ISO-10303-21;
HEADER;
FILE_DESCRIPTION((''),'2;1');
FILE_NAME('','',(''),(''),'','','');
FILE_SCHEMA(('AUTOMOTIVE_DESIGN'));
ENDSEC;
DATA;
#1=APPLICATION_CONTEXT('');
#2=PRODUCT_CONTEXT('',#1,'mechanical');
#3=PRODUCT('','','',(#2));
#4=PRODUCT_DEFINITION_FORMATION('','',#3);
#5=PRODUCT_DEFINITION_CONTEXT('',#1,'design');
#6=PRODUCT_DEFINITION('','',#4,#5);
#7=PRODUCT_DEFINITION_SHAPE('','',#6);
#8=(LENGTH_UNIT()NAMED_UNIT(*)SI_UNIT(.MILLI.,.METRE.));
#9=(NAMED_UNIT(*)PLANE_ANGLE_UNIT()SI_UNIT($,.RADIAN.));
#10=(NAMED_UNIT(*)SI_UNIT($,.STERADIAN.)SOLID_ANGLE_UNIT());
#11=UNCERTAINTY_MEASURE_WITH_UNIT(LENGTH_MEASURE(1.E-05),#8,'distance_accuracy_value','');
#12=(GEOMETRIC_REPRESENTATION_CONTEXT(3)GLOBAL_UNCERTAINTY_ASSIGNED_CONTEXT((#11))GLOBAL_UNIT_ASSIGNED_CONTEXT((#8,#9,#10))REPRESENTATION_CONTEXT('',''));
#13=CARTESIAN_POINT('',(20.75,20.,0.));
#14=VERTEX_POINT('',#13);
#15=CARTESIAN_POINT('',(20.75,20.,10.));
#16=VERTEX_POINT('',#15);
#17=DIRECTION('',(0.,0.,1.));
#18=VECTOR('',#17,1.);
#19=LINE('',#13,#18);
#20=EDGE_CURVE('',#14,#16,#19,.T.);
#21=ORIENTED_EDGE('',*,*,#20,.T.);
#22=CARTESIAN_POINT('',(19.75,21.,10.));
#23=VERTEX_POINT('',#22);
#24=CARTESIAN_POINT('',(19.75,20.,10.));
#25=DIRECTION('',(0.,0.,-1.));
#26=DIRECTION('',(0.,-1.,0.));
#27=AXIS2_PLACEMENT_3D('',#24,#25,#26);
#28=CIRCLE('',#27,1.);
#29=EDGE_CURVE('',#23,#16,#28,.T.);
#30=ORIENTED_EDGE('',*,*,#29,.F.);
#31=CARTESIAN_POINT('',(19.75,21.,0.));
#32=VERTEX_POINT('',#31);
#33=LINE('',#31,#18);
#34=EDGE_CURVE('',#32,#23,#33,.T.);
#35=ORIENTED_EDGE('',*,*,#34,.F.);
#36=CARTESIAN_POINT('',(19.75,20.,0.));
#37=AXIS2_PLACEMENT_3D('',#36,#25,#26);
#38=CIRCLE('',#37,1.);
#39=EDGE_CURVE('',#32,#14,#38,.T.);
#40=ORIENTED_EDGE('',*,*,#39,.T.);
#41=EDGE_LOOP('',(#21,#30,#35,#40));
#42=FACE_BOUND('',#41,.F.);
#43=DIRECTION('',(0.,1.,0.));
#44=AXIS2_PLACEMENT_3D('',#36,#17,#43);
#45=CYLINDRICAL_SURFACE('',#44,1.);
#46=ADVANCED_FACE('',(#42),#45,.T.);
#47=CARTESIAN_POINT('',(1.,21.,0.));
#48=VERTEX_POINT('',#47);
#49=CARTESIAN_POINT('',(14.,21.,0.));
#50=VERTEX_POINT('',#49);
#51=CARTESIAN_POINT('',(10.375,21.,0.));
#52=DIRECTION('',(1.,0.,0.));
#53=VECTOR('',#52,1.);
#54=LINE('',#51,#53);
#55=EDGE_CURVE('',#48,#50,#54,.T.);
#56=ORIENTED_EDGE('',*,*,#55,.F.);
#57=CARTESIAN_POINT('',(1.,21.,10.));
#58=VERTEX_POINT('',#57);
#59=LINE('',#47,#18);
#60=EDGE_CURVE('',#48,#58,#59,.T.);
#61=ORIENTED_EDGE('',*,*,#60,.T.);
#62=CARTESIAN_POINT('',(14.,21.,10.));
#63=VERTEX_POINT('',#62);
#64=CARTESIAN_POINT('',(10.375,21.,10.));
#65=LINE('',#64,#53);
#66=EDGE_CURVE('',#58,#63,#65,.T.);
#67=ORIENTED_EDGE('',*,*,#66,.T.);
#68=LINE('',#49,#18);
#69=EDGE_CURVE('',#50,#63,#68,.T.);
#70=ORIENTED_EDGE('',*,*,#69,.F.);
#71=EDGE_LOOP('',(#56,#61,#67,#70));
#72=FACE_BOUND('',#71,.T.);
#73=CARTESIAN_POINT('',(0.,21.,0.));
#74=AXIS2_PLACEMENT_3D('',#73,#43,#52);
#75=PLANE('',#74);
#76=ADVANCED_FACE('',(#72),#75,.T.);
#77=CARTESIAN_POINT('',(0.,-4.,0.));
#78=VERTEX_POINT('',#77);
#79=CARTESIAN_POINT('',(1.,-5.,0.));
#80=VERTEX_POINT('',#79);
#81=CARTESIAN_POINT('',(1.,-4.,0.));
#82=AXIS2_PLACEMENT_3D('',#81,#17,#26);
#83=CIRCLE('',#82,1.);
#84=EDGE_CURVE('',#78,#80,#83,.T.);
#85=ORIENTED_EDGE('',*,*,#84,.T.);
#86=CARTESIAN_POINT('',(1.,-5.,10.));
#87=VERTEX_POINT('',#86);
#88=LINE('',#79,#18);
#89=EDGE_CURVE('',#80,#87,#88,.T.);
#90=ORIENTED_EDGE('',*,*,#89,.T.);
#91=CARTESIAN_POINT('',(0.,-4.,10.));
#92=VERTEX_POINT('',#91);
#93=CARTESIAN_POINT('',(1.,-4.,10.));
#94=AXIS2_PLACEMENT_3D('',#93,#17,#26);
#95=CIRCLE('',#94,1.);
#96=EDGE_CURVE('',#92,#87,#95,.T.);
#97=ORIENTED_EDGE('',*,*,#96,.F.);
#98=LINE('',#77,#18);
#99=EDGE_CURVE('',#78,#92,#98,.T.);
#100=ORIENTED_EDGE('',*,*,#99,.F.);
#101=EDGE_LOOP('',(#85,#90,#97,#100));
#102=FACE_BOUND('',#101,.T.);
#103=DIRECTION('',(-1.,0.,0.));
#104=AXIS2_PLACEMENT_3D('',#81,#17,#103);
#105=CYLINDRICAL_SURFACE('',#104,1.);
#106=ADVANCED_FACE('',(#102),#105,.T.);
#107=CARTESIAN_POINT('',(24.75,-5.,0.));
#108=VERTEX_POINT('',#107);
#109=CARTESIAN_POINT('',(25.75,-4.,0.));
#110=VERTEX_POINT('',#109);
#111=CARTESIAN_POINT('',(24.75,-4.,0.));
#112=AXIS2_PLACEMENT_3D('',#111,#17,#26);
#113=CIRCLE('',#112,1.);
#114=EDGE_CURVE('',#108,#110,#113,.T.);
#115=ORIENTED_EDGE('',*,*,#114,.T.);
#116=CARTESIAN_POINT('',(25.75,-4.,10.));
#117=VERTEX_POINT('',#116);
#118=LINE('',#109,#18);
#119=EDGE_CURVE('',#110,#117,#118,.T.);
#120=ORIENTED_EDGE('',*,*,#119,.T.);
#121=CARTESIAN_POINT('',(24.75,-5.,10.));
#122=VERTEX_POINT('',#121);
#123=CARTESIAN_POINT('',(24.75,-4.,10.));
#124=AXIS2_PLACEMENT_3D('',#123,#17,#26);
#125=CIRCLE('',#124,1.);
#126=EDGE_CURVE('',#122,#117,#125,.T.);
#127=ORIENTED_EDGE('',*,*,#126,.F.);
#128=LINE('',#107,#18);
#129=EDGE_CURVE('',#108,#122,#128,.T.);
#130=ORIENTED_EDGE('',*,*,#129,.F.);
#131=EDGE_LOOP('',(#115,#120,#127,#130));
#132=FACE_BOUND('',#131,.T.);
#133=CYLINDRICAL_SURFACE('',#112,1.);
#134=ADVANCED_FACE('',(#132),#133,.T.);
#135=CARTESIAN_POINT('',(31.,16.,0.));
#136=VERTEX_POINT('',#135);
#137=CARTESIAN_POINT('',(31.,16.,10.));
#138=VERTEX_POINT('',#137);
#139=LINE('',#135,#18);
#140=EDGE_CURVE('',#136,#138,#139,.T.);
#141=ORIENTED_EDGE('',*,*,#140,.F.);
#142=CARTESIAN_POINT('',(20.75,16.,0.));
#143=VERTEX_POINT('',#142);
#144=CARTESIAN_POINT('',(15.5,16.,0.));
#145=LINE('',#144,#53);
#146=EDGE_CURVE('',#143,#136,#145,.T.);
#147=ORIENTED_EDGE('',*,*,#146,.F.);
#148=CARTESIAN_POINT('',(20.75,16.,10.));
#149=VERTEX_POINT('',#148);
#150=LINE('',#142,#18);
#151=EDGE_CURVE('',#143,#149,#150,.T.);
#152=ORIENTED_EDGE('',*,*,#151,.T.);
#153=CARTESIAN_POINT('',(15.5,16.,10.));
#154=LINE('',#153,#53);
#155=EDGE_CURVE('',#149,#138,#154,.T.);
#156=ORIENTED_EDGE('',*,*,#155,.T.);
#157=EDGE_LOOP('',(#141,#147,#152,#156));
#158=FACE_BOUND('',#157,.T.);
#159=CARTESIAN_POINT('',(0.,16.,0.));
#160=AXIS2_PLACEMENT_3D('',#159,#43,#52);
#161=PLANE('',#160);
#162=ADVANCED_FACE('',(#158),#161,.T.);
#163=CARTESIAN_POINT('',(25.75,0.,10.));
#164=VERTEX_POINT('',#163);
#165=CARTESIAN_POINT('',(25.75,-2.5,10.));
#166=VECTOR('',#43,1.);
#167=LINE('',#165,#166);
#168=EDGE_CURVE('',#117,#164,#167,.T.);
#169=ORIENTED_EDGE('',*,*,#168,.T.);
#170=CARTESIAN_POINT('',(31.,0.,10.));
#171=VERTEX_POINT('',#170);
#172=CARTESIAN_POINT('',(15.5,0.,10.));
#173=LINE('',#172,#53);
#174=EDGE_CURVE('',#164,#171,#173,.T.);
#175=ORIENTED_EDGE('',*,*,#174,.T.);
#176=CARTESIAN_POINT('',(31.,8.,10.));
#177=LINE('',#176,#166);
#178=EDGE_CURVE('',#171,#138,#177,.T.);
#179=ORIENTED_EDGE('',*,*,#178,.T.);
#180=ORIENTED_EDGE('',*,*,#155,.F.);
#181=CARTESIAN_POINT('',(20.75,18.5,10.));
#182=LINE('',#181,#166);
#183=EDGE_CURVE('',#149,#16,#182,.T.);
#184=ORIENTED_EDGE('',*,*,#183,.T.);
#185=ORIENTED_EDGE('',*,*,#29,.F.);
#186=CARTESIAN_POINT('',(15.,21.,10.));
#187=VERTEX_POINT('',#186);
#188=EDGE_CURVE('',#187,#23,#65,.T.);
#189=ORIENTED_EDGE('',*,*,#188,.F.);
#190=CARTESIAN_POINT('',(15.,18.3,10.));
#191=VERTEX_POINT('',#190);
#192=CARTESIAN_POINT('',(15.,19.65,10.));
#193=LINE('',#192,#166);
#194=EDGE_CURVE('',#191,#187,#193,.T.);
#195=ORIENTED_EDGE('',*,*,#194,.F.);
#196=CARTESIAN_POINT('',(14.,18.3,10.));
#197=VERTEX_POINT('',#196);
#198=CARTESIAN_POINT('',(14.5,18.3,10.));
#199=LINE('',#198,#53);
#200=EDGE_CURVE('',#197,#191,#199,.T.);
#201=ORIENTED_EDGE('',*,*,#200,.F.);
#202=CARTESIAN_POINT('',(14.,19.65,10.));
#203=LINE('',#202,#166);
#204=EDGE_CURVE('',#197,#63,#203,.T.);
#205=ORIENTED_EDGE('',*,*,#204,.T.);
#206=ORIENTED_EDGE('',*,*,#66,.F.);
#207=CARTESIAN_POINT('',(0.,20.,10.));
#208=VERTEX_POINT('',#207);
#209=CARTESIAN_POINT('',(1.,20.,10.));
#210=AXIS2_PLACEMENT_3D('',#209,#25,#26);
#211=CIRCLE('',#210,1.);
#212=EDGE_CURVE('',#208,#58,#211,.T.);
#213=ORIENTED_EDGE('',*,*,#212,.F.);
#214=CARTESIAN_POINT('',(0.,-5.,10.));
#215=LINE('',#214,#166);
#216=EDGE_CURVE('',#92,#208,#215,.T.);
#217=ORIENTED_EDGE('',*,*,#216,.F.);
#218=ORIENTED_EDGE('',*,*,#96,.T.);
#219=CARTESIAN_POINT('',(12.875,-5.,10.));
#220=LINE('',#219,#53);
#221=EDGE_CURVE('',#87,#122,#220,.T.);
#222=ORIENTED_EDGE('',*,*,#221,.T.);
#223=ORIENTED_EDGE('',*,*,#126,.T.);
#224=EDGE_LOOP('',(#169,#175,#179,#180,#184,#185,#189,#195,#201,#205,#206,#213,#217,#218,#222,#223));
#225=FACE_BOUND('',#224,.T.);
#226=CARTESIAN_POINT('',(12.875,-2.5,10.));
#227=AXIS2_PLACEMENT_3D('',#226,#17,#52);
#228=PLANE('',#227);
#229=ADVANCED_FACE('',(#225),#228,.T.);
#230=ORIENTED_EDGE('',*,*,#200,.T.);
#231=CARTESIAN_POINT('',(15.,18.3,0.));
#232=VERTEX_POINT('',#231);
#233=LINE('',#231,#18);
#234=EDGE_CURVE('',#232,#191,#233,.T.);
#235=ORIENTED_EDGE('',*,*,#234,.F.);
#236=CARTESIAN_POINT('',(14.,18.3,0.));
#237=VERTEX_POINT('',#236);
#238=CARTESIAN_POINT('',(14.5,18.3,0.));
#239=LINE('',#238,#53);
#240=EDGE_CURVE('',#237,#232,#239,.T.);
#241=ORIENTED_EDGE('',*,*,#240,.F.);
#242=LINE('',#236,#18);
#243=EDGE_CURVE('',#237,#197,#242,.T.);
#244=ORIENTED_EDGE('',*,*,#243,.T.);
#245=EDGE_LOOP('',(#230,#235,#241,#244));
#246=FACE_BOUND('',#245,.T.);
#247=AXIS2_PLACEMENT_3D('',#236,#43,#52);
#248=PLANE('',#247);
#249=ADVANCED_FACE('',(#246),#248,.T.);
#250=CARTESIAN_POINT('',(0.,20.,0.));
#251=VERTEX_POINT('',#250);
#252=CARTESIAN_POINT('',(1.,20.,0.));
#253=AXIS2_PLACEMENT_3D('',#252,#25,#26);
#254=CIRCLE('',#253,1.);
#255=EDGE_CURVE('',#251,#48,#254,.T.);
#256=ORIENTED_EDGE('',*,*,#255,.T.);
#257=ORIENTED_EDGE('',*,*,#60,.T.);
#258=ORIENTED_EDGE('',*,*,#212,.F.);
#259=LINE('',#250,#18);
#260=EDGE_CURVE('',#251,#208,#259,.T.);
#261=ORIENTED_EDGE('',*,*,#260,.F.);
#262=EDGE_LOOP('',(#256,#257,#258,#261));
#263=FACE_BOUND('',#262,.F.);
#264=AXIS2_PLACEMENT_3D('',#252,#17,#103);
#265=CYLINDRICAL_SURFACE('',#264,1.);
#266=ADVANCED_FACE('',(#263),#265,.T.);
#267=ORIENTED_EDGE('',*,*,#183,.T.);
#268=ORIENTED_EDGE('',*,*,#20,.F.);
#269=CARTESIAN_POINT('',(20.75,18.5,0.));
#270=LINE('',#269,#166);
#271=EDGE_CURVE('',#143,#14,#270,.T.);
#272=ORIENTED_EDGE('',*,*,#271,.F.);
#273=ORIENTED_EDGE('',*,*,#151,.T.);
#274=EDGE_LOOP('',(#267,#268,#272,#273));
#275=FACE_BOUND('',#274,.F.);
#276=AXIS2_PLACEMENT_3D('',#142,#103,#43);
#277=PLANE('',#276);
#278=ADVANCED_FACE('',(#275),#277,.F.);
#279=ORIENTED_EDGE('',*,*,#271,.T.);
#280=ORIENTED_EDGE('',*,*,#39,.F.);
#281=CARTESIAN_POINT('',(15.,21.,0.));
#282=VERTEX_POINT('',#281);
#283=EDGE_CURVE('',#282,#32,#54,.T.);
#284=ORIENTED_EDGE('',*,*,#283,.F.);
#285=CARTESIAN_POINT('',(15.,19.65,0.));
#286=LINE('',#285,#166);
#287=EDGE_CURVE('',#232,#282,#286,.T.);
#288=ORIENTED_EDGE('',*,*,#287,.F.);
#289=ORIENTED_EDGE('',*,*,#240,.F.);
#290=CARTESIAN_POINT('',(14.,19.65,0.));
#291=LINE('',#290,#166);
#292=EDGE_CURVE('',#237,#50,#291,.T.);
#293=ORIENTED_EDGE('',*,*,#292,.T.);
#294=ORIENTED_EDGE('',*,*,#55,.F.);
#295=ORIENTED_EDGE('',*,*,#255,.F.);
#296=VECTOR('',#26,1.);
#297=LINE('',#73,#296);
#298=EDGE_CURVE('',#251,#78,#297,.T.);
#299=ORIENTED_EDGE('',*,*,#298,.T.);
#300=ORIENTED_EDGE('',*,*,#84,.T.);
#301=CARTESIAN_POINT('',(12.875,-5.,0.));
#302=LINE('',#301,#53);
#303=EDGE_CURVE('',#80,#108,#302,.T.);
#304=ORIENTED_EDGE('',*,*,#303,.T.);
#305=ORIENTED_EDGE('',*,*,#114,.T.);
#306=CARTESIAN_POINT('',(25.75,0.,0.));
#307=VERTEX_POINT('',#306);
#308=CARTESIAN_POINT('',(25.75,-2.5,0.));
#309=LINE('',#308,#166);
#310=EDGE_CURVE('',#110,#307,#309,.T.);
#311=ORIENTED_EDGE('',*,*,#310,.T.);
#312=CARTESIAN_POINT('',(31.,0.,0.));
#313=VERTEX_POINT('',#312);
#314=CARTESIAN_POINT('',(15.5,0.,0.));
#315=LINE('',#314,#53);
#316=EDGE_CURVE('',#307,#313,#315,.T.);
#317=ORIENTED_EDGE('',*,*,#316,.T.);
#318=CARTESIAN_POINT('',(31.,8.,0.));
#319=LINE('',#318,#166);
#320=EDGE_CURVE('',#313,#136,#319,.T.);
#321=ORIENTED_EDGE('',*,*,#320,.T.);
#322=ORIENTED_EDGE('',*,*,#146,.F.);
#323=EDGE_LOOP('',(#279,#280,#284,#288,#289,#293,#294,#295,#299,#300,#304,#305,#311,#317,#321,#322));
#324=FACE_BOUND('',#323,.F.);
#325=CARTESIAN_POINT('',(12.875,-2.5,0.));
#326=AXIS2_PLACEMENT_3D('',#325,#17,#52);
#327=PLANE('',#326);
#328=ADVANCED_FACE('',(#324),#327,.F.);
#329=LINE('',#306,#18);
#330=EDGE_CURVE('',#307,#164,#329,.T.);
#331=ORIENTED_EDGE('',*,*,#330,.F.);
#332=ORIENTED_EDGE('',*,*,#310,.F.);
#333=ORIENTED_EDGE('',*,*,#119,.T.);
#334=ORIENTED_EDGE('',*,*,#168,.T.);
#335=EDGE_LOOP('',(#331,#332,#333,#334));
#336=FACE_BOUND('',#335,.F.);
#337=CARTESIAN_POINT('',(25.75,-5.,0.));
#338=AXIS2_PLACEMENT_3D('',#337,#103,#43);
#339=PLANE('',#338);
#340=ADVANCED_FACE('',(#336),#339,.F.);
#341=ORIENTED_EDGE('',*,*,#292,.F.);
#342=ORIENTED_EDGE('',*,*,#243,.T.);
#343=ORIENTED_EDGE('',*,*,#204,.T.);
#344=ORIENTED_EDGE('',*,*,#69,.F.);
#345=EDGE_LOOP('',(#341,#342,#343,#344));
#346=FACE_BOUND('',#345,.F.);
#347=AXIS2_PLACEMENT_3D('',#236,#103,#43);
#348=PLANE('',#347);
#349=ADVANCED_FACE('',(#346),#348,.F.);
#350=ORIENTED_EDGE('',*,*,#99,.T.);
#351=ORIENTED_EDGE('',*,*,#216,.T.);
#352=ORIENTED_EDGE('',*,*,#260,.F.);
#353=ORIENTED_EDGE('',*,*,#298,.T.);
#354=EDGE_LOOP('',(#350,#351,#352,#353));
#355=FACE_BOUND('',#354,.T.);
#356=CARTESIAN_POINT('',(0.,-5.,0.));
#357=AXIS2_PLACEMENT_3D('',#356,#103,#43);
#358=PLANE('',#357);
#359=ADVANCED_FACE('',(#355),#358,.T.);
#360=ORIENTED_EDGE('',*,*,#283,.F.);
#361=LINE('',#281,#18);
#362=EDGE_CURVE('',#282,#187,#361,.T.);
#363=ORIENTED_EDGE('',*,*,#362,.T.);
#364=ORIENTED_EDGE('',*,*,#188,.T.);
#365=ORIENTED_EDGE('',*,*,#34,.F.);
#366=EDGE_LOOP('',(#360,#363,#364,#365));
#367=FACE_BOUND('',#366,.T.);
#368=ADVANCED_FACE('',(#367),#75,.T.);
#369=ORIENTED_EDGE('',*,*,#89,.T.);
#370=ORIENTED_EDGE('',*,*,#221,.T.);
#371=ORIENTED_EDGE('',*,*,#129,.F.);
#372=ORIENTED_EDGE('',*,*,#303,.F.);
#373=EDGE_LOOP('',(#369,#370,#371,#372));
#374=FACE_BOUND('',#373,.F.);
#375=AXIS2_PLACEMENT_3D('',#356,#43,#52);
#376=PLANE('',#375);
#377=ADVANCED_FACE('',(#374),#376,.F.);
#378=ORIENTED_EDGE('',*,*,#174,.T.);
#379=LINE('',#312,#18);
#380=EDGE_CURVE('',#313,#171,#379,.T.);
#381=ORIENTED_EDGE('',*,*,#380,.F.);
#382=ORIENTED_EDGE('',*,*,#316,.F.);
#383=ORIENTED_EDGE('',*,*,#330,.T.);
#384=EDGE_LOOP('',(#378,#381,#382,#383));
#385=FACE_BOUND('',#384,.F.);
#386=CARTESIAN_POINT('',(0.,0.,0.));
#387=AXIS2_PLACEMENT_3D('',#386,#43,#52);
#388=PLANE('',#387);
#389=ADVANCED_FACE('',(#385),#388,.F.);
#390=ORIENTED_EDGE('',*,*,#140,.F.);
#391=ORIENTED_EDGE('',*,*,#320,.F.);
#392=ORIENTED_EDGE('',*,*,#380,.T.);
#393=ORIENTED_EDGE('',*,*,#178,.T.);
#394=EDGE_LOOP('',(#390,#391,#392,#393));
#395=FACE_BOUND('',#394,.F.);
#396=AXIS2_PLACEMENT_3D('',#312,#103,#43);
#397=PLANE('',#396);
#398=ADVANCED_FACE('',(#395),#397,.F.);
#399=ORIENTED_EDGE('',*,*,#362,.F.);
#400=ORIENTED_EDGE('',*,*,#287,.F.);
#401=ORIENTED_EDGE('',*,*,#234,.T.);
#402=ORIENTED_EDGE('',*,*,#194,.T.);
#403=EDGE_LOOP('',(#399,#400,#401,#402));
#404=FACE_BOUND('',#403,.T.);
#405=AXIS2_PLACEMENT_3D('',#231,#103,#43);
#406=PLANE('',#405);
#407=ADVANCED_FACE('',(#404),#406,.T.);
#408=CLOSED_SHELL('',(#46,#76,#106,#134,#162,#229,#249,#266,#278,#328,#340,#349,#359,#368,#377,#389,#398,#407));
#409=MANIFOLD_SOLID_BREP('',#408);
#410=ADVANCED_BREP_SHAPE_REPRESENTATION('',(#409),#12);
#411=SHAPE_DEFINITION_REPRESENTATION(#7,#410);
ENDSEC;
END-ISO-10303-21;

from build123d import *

# Parameters (mm, degrees)
BOX003_W     = 1
BOX003_H     = 2.7
BOX003_DEPTH = 10
BOX001_W     = 20.75
BOX001_H     = 5
BOX001_DEPTH = 10
BOX002_W     = 25.75
BOX002_H     = 5
BOX002_DEPTH = 10
BOX_W        = 31
BOX_H        = 16
BOX_DEPTH    = 10
FILLET_R     = 1


with BuildPart() as cube003:
    # Box003 → Box003 (new body)
    with BuildSketch(Plane(origin=(14, 18.3, 0), x_dir=(1, 0, 0), z_dir=(0, 0, 1))):
        with Locations((0.5, 1.35)):
            Rectangle(BOX003_W, BOX003_H)
    extrude(amount=BOX003_DEPTH)


with BuildPart() as cube001:
    # Box001 → Box001 (new body)
    with BuildSketch(Plane(origin=(0, 16, 0), x_dir=(1, 0, 0), z_dir=(0, 0, 1))):
        with Locations((10.375, 2.5)):
            Rectangle(BOX001_W, BOX001_H)
    extrude(amount=BOX001_DEPTH)


with BuildPart() as cube002:
    # Box002 → Box002 (new body)
    with BuildSketch(Plane(origin=(0, -5, 0), x_dir=(1, 0, 0), z_dir=(0, 0, 1))):
        with Locations((12.875, 2.5)):
            Rectangle(BOX002_W, BOX002_H)
    extrude(amount=BOX002_DEPTH)


with BuildPart() as fillet_body:
    # Box → Box (new body)
    with BuildSketch(Plane.XY):
        with Locations((15.5, 8)):
            Rectangle(BOX_W, BOX_H)
    extrude(amount=BOX_DEPTH)

    # Fusion: union Cube001, Cube002
    add(cube001.part)
    add(cube002.part)

    # Cut: cut Cube003
    add(cube003.part, mode=Mode.SUBTRACT)

    # Fillet
    fillet_edges = [fillet_body.edges().sort_by_distance(p)[0] for p in [
        (0, -5, 5),
        (25.75, -5, 5),
        (20.75, 21, 5),
        (0, 21, 5),
    ]]
    fillet(fillet_edges, radius=FILLET_R)


solid = fillet_body.part
